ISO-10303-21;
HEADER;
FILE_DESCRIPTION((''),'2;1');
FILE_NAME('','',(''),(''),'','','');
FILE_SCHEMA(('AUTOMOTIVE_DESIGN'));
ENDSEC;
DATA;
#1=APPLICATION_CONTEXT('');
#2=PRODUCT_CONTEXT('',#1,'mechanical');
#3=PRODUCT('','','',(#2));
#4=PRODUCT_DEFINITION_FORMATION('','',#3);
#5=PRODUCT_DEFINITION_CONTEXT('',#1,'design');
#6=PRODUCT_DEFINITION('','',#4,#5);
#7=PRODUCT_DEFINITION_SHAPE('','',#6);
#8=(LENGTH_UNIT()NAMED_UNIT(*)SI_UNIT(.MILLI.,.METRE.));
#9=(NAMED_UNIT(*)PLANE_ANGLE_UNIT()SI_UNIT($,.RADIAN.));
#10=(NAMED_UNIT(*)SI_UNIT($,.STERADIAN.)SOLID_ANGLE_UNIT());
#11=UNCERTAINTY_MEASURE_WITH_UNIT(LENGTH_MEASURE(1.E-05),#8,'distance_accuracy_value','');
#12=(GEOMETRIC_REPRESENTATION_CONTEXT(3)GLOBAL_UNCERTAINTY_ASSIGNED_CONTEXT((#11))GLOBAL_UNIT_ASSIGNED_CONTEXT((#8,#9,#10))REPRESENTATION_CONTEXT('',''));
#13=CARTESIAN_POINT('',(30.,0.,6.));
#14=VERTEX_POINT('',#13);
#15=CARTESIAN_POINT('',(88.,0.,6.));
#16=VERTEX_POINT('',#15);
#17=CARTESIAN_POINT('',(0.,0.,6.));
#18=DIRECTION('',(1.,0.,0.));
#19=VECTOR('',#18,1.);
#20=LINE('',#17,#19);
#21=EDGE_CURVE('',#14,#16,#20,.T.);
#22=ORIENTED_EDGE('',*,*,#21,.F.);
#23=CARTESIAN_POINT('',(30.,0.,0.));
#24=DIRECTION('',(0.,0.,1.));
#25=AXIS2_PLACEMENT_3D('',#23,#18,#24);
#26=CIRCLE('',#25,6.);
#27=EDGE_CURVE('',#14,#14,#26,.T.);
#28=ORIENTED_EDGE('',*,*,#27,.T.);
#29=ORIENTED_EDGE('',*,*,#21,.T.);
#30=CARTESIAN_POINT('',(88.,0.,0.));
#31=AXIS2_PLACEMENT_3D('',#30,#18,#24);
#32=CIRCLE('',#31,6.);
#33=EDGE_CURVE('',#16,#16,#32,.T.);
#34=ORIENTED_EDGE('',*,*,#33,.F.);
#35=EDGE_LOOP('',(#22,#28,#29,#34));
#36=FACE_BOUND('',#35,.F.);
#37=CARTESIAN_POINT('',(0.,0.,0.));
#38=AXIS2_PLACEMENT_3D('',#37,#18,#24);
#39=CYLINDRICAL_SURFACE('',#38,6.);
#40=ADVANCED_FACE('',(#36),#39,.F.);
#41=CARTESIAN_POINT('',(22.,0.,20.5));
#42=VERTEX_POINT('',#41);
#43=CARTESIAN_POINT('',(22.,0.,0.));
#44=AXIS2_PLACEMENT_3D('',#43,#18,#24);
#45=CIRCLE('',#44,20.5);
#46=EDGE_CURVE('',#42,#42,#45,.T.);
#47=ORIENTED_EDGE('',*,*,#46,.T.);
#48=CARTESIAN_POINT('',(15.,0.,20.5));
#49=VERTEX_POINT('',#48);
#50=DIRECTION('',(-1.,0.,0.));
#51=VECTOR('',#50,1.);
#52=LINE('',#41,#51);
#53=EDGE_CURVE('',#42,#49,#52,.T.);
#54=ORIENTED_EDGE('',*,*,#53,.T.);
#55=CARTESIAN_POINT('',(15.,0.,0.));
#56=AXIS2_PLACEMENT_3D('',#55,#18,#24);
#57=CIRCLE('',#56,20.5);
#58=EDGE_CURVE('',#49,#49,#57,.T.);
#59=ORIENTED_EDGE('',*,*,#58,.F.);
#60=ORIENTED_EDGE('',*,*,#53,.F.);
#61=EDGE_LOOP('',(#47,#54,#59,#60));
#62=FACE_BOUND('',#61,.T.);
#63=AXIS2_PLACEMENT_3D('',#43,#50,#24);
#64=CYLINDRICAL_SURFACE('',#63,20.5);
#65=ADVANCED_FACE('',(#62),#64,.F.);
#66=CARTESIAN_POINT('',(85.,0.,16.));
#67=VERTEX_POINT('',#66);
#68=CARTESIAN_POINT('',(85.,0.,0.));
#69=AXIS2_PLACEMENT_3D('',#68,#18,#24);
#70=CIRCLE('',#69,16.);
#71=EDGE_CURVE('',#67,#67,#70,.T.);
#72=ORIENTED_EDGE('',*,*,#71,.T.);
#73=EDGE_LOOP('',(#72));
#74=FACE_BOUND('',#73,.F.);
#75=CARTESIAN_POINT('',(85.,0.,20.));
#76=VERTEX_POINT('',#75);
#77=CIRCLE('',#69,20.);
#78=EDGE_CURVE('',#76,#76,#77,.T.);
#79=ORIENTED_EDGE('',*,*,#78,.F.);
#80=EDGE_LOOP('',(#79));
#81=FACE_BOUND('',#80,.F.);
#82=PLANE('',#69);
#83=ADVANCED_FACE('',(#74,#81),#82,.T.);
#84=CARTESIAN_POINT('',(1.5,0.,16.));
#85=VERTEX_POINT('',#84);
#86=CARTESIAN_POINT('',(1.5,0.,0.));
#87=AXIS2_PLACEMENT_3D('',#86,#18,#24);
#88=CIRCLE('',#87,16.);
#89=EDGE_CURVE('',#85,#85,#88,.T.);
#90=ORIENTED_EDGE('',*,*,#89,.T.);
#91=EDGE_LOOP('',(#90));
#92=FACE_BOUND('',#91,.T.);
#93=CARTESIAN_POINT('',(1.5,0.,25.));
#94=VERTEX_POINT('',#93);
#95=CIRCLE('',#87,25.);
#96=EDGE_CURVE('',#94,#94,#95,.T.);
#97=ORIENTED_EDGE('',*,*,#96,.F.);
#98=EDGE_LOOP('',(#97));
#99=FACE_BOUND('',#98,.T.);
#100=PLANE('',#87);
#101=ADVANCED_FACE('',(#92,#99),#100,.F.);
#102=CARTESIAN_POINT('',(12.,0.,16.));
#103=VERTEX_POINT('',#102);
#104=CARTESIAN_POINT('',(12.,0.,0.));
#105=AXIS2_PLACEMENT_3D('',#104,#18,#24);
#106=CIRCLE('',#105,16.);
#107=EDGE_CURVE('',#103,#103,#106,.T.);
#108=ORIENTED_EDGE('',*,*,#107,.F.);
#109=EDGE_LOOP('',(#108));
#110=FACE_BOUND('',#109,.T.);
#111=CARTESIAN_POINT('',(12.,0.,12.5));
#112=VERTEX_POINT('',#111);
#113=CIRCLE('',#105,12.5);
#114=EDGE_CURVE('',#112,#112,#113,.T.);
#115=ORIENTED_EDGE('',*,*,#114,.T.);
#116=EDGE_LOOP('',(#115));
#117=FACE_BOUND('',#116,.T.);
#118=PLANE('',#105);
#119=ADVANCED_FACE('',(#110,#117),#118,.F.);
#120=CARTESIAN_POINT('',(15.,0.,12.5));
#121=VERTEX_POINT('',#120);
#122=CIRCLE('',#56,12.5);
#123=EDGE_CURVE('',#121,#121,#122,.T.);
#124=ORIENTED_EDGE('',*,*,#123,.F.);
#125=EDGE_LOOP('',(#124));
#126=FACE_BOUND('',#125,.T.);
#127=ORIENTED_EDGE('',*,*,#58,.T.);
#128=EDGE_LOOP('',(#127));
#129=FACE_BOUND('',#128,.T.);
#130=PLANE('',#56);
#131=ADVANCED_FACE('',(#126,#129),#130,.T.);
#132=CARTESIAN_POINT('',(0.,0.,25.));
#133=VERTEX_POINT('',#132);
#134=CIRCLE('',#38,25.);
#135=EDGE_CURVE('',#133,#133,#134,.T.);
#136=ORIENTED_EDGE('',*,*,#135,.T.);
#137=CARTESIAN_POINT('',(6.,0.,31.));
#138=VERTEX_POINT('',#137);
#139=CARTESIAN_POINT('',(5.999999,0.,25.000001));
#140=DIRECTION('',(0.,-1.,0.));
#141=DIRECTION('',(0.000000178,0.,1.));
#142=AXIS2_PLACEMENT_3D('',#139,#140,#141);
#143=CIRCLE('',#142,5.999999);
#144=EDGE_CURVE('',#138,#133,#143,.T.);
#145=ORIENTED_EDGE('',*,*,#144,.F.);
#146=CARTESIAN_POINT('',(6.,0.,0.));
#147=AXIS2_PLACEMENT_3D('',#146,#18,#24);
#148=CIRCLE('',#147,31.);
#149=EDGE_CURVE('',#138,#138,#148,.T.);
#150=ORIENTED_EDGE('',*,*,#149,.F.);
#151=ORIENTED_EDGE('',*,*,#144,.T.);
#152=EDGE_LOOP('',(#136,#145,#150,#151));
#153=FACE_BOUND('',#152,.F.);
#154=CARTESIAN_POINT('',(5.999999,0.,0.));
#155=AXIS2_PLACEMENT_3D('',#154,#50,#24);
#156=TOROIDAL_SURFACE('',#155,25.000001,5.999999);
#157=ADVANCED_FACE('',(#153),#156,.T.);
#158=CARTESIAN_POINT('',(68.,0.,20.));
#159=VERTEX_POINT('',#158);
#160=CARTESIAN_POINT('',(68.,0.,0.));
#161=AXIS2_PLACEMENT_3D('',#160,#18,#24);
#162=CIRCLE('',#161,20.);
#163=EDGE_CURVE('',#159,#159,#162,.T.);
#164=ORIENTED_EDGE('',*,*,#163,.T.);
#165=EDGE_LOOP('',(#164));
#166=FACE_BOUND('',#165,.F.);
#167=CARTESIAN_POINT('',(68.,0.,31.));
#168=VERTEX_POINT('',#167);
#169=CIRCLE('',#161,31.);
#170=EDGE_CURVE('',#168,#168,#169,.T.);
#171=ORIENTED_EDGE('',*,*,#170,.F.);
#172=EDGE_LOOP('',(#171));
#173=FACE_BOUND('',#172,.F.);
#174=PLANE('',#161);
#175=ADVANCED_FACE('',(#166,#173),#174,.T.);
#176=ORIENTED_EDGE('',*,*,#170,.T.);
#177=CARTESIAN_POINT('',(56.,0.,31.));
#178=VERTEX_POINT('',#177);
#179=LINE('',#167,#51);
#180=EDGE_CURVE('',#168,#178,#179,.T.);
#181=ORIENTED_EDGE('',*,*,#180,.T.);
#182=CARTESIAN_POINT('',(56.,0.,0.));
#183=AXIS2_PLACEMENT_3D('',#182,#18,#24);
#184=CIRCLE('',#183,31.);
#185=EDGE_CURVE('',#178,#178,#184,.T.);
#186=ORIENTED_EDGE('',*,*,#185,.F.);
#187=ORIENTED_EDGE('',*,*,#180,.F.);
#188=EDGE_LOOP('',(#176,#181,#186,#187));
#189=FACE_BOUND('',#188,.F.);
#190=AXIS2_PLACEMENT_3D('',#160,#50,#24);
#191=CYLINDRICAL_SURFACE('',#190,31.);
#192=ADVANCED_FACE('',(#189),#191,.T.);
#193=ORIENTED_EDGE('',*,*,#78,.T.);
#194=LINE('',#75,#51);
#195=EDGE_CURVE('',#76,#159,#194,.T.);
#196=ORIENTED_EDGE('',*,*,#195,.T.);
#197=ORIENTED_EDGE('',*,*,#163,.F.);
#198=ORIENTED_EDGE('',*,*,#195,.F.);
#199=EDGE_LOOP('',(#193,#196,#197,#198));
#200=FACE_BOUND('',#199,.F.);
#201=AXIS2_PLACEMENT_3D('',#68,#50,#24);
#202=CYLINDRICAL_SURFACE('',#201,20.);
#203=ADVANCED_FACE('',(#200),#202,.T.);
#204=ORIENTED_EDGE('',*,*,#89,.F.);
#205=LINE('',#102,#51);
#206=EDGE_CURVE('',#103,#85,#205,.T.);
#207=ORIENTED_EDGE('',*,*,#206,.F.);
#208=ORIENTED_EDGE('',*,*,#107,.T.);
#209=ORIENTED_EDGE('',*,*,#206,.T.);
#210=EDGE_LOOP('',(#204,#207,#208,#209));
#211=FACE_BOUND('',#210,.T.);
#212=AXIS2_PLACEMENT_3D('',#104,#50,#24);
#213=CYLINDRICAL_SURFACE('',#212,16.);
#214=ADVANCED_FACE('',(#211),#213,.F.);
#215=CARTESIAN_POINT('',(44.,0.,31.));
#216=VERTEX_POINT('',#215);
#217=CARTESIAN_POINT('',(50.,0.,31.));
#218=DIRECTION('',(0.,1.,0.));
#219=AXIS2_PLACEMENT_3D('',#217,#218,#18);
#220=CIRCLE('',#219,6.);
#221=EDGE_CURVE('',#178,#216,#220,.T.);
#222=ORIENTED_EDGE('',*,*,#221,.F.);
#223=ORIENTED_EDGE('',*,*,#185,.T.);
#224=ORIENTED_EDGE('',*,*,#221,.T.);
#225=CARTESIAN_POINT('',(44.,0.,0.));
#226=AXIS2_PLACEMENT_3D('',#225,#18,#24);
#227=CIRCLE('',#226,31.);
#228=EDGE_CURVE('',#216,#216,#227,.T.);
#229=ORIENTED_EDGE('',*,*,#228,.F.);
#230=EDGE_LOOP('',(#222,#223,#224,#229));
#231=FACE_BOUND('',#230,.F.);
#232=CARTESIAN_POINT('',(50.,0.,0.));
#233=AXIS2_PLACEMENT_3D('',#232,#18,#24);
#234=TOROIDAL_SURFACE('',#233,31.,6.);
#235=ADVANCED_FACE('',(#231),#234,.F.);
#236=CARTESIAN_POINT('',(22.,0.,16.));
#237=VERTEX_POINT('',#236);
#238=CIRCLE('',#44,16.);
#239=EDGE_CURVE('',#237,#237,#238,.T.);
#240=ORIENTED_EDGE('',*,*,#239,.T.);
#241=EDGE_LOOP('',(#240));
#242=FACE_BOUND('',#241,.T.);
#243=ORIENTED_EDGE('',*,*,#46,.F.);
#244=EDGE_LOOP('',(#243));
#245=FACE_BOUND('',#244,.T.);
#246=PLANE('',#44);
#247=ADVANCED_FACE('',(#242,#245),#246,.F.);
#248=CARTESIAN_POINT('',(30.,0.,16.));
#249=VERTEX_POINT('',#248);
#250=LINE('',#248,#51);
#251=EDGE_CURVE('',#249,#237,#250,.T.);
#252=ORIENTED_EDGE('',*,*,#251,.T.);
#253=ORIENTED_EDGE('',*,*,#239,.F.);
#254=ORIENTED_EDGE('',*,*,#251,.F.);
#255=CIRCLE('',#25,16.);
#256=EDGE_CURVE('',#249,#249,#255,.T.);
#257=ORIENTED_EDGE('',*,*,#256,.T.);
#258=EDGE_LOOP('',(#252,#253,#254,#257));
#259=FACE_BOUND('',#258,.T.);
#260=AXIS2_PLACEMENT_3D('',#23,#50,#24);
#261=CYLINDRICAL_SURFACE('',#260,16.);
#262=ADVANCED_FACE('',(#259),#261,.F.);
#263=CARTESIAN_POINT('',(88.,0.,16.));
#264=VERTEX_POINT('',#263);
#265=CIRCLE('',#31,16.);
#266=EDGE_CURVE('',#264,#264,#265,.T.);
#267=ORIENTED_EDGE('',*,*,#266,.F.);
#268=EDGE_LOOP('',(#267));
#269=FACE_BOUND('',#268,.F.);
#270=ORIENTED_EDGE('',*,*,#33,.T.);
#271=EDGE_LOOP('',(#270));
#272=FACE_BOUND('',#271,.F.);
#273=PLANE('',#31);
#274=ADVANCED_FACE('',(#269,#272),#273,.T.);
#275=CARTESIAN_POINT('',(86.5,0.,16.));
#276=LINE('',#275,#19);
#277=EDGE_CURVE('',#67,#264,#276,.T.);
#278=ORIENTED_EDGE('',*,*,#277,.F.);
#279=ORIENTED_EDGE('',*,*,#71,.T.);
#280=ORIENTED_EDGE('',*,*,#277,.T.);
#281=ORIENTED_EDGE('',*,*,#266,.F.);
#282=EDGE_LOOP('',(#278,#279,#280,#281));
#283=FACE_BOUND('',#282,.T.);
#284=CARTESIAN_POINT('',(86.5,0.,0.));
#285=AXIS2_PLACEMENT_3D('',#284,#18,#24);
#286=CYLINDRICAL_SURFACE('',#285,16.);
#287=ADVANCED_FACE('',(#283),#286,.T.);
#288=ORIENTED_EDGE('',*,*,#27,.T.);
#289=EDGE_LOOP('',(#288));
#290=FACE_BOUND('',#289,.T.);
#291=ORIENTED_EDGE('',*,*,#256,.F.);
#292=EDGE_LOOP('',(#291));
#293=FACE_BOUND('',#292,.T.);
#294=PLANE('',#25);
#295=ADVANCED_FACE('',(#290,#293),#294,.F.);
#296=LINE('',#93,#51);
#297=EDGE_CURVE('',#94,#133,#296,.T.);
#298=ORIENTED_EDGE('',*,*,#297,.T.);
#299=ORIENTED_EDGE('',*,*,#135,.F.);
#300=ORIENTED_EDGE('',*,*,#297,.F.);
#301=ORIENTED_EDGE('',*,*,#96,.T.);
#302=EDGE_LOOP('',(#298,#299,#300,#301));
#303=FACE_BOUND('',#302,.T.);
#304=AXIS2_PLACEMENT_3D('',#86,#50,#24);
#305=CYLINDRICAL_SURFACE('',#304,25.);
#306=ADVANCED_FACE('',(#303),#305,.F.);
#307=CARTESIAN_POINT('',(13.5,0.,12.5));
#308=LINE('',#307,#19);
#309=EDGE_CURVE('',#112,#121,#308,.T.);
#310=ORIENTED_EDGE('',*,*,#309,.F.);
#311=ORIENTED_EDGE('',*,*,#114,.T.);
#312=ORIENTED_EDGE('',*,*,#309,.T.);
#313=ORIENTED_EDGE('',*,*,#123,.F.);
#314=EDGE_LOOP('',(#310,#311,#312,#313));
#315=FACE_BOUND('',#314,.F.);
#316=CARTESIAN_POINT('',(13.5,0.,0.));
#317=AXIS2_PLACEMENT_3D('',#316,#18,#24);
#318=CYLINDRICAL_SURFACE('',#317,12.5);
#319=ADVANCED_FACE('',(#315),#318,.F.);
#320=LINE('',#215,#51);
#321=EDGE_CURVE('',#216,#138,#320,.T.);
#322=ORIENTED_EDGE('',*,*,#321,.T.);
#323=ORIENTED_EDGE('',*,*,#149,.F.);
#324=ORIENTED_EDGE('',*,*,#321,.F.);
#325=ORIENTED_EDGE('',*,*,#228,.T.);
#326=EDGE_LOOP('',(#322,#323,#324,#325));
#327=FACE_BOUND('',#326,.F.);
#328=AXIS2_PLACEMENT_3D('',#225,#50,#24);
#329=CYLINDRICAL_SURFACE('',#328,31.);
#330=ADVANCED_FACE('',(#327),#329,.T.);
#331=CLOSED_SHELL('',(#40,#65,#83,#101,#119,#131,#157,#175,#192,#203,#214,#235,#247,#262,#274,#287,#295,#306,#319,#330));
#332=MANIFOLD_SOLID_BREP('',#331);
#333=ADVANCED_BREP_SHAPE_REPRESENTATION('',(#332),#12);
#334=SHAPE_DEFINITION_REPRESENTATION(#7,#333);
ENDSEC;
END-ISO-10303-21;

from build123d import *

# Parameters (mm, degrees)
F0_W   = 3
F0_H   = 10
F2_W   = 3
F2_H   = 12.5
F2_W_2 = 58
F2_H_2 = 6


with BuildPart() as f1:
    # F0 (on Front) → F1 (revolve)
    with BuildSketch(Plane.XZ):
        with BuildLine():
            Line((0, 25), (0, 6))
            Line((0, 6), (44, 6))
            Line((44, 6), (44, 31))
            Line((44, 31), (6, 31))
            ThreePointArc((6, 31), (1.757359, 29.242641), (0, 25))
        make_face()
        with BuildLine():
            Line((44, 31), (44, 6))
            Line((44, 6), (56, 6))
            Line((56, 6), (56, 31))
            ThreePointArc((56, 31), (50, 25), (44, 31))
        make_face()
        Polygon((56, 31), (56, 6), (68, 6), (68, 20), (68, 31), align=None)
        Polygon((68, 20), (68, 6), (85, 6), (85, 16), (85, 20), align=None)
        with Locations((86.5, 11)):
            Rectangle(F0_W, F0_H)
    revolve(axis=Axis((2.522928, 0, 0), (1, 0, 0)))

    # F2 (on Front) → F3 (revolve, cut)
    with BuildSketch(Plane.XZ):
        Polygon((0, 25), (0, 0), (1.5, 0), (1.5, 16), (1.5, 25), align=None)
        Polygon((1.5, 16), (1.5, 0), (12, 0), (12, 12.5), (12, 16), align=None)
        with Locations((13.5, 6.25)):
            Rectangle(F2_W, F2_H)
        Polygon((15, 12.5), (15, 0), (22, 0), (22, 16), (22, 20.5), (15, 20.5), align=None)
        Polygon((22, 16), (22, 0), (30, 0), (30, 6), (30, 16), align=None)
        with Locations((59, 3)):
            Rectangle(F2_W_2, F2_H_2)
    revolve(axis=Axis((44, 0, 0), (1, 0, 0)), mode=Mode.SUBTRACT)


solid = f1.part
